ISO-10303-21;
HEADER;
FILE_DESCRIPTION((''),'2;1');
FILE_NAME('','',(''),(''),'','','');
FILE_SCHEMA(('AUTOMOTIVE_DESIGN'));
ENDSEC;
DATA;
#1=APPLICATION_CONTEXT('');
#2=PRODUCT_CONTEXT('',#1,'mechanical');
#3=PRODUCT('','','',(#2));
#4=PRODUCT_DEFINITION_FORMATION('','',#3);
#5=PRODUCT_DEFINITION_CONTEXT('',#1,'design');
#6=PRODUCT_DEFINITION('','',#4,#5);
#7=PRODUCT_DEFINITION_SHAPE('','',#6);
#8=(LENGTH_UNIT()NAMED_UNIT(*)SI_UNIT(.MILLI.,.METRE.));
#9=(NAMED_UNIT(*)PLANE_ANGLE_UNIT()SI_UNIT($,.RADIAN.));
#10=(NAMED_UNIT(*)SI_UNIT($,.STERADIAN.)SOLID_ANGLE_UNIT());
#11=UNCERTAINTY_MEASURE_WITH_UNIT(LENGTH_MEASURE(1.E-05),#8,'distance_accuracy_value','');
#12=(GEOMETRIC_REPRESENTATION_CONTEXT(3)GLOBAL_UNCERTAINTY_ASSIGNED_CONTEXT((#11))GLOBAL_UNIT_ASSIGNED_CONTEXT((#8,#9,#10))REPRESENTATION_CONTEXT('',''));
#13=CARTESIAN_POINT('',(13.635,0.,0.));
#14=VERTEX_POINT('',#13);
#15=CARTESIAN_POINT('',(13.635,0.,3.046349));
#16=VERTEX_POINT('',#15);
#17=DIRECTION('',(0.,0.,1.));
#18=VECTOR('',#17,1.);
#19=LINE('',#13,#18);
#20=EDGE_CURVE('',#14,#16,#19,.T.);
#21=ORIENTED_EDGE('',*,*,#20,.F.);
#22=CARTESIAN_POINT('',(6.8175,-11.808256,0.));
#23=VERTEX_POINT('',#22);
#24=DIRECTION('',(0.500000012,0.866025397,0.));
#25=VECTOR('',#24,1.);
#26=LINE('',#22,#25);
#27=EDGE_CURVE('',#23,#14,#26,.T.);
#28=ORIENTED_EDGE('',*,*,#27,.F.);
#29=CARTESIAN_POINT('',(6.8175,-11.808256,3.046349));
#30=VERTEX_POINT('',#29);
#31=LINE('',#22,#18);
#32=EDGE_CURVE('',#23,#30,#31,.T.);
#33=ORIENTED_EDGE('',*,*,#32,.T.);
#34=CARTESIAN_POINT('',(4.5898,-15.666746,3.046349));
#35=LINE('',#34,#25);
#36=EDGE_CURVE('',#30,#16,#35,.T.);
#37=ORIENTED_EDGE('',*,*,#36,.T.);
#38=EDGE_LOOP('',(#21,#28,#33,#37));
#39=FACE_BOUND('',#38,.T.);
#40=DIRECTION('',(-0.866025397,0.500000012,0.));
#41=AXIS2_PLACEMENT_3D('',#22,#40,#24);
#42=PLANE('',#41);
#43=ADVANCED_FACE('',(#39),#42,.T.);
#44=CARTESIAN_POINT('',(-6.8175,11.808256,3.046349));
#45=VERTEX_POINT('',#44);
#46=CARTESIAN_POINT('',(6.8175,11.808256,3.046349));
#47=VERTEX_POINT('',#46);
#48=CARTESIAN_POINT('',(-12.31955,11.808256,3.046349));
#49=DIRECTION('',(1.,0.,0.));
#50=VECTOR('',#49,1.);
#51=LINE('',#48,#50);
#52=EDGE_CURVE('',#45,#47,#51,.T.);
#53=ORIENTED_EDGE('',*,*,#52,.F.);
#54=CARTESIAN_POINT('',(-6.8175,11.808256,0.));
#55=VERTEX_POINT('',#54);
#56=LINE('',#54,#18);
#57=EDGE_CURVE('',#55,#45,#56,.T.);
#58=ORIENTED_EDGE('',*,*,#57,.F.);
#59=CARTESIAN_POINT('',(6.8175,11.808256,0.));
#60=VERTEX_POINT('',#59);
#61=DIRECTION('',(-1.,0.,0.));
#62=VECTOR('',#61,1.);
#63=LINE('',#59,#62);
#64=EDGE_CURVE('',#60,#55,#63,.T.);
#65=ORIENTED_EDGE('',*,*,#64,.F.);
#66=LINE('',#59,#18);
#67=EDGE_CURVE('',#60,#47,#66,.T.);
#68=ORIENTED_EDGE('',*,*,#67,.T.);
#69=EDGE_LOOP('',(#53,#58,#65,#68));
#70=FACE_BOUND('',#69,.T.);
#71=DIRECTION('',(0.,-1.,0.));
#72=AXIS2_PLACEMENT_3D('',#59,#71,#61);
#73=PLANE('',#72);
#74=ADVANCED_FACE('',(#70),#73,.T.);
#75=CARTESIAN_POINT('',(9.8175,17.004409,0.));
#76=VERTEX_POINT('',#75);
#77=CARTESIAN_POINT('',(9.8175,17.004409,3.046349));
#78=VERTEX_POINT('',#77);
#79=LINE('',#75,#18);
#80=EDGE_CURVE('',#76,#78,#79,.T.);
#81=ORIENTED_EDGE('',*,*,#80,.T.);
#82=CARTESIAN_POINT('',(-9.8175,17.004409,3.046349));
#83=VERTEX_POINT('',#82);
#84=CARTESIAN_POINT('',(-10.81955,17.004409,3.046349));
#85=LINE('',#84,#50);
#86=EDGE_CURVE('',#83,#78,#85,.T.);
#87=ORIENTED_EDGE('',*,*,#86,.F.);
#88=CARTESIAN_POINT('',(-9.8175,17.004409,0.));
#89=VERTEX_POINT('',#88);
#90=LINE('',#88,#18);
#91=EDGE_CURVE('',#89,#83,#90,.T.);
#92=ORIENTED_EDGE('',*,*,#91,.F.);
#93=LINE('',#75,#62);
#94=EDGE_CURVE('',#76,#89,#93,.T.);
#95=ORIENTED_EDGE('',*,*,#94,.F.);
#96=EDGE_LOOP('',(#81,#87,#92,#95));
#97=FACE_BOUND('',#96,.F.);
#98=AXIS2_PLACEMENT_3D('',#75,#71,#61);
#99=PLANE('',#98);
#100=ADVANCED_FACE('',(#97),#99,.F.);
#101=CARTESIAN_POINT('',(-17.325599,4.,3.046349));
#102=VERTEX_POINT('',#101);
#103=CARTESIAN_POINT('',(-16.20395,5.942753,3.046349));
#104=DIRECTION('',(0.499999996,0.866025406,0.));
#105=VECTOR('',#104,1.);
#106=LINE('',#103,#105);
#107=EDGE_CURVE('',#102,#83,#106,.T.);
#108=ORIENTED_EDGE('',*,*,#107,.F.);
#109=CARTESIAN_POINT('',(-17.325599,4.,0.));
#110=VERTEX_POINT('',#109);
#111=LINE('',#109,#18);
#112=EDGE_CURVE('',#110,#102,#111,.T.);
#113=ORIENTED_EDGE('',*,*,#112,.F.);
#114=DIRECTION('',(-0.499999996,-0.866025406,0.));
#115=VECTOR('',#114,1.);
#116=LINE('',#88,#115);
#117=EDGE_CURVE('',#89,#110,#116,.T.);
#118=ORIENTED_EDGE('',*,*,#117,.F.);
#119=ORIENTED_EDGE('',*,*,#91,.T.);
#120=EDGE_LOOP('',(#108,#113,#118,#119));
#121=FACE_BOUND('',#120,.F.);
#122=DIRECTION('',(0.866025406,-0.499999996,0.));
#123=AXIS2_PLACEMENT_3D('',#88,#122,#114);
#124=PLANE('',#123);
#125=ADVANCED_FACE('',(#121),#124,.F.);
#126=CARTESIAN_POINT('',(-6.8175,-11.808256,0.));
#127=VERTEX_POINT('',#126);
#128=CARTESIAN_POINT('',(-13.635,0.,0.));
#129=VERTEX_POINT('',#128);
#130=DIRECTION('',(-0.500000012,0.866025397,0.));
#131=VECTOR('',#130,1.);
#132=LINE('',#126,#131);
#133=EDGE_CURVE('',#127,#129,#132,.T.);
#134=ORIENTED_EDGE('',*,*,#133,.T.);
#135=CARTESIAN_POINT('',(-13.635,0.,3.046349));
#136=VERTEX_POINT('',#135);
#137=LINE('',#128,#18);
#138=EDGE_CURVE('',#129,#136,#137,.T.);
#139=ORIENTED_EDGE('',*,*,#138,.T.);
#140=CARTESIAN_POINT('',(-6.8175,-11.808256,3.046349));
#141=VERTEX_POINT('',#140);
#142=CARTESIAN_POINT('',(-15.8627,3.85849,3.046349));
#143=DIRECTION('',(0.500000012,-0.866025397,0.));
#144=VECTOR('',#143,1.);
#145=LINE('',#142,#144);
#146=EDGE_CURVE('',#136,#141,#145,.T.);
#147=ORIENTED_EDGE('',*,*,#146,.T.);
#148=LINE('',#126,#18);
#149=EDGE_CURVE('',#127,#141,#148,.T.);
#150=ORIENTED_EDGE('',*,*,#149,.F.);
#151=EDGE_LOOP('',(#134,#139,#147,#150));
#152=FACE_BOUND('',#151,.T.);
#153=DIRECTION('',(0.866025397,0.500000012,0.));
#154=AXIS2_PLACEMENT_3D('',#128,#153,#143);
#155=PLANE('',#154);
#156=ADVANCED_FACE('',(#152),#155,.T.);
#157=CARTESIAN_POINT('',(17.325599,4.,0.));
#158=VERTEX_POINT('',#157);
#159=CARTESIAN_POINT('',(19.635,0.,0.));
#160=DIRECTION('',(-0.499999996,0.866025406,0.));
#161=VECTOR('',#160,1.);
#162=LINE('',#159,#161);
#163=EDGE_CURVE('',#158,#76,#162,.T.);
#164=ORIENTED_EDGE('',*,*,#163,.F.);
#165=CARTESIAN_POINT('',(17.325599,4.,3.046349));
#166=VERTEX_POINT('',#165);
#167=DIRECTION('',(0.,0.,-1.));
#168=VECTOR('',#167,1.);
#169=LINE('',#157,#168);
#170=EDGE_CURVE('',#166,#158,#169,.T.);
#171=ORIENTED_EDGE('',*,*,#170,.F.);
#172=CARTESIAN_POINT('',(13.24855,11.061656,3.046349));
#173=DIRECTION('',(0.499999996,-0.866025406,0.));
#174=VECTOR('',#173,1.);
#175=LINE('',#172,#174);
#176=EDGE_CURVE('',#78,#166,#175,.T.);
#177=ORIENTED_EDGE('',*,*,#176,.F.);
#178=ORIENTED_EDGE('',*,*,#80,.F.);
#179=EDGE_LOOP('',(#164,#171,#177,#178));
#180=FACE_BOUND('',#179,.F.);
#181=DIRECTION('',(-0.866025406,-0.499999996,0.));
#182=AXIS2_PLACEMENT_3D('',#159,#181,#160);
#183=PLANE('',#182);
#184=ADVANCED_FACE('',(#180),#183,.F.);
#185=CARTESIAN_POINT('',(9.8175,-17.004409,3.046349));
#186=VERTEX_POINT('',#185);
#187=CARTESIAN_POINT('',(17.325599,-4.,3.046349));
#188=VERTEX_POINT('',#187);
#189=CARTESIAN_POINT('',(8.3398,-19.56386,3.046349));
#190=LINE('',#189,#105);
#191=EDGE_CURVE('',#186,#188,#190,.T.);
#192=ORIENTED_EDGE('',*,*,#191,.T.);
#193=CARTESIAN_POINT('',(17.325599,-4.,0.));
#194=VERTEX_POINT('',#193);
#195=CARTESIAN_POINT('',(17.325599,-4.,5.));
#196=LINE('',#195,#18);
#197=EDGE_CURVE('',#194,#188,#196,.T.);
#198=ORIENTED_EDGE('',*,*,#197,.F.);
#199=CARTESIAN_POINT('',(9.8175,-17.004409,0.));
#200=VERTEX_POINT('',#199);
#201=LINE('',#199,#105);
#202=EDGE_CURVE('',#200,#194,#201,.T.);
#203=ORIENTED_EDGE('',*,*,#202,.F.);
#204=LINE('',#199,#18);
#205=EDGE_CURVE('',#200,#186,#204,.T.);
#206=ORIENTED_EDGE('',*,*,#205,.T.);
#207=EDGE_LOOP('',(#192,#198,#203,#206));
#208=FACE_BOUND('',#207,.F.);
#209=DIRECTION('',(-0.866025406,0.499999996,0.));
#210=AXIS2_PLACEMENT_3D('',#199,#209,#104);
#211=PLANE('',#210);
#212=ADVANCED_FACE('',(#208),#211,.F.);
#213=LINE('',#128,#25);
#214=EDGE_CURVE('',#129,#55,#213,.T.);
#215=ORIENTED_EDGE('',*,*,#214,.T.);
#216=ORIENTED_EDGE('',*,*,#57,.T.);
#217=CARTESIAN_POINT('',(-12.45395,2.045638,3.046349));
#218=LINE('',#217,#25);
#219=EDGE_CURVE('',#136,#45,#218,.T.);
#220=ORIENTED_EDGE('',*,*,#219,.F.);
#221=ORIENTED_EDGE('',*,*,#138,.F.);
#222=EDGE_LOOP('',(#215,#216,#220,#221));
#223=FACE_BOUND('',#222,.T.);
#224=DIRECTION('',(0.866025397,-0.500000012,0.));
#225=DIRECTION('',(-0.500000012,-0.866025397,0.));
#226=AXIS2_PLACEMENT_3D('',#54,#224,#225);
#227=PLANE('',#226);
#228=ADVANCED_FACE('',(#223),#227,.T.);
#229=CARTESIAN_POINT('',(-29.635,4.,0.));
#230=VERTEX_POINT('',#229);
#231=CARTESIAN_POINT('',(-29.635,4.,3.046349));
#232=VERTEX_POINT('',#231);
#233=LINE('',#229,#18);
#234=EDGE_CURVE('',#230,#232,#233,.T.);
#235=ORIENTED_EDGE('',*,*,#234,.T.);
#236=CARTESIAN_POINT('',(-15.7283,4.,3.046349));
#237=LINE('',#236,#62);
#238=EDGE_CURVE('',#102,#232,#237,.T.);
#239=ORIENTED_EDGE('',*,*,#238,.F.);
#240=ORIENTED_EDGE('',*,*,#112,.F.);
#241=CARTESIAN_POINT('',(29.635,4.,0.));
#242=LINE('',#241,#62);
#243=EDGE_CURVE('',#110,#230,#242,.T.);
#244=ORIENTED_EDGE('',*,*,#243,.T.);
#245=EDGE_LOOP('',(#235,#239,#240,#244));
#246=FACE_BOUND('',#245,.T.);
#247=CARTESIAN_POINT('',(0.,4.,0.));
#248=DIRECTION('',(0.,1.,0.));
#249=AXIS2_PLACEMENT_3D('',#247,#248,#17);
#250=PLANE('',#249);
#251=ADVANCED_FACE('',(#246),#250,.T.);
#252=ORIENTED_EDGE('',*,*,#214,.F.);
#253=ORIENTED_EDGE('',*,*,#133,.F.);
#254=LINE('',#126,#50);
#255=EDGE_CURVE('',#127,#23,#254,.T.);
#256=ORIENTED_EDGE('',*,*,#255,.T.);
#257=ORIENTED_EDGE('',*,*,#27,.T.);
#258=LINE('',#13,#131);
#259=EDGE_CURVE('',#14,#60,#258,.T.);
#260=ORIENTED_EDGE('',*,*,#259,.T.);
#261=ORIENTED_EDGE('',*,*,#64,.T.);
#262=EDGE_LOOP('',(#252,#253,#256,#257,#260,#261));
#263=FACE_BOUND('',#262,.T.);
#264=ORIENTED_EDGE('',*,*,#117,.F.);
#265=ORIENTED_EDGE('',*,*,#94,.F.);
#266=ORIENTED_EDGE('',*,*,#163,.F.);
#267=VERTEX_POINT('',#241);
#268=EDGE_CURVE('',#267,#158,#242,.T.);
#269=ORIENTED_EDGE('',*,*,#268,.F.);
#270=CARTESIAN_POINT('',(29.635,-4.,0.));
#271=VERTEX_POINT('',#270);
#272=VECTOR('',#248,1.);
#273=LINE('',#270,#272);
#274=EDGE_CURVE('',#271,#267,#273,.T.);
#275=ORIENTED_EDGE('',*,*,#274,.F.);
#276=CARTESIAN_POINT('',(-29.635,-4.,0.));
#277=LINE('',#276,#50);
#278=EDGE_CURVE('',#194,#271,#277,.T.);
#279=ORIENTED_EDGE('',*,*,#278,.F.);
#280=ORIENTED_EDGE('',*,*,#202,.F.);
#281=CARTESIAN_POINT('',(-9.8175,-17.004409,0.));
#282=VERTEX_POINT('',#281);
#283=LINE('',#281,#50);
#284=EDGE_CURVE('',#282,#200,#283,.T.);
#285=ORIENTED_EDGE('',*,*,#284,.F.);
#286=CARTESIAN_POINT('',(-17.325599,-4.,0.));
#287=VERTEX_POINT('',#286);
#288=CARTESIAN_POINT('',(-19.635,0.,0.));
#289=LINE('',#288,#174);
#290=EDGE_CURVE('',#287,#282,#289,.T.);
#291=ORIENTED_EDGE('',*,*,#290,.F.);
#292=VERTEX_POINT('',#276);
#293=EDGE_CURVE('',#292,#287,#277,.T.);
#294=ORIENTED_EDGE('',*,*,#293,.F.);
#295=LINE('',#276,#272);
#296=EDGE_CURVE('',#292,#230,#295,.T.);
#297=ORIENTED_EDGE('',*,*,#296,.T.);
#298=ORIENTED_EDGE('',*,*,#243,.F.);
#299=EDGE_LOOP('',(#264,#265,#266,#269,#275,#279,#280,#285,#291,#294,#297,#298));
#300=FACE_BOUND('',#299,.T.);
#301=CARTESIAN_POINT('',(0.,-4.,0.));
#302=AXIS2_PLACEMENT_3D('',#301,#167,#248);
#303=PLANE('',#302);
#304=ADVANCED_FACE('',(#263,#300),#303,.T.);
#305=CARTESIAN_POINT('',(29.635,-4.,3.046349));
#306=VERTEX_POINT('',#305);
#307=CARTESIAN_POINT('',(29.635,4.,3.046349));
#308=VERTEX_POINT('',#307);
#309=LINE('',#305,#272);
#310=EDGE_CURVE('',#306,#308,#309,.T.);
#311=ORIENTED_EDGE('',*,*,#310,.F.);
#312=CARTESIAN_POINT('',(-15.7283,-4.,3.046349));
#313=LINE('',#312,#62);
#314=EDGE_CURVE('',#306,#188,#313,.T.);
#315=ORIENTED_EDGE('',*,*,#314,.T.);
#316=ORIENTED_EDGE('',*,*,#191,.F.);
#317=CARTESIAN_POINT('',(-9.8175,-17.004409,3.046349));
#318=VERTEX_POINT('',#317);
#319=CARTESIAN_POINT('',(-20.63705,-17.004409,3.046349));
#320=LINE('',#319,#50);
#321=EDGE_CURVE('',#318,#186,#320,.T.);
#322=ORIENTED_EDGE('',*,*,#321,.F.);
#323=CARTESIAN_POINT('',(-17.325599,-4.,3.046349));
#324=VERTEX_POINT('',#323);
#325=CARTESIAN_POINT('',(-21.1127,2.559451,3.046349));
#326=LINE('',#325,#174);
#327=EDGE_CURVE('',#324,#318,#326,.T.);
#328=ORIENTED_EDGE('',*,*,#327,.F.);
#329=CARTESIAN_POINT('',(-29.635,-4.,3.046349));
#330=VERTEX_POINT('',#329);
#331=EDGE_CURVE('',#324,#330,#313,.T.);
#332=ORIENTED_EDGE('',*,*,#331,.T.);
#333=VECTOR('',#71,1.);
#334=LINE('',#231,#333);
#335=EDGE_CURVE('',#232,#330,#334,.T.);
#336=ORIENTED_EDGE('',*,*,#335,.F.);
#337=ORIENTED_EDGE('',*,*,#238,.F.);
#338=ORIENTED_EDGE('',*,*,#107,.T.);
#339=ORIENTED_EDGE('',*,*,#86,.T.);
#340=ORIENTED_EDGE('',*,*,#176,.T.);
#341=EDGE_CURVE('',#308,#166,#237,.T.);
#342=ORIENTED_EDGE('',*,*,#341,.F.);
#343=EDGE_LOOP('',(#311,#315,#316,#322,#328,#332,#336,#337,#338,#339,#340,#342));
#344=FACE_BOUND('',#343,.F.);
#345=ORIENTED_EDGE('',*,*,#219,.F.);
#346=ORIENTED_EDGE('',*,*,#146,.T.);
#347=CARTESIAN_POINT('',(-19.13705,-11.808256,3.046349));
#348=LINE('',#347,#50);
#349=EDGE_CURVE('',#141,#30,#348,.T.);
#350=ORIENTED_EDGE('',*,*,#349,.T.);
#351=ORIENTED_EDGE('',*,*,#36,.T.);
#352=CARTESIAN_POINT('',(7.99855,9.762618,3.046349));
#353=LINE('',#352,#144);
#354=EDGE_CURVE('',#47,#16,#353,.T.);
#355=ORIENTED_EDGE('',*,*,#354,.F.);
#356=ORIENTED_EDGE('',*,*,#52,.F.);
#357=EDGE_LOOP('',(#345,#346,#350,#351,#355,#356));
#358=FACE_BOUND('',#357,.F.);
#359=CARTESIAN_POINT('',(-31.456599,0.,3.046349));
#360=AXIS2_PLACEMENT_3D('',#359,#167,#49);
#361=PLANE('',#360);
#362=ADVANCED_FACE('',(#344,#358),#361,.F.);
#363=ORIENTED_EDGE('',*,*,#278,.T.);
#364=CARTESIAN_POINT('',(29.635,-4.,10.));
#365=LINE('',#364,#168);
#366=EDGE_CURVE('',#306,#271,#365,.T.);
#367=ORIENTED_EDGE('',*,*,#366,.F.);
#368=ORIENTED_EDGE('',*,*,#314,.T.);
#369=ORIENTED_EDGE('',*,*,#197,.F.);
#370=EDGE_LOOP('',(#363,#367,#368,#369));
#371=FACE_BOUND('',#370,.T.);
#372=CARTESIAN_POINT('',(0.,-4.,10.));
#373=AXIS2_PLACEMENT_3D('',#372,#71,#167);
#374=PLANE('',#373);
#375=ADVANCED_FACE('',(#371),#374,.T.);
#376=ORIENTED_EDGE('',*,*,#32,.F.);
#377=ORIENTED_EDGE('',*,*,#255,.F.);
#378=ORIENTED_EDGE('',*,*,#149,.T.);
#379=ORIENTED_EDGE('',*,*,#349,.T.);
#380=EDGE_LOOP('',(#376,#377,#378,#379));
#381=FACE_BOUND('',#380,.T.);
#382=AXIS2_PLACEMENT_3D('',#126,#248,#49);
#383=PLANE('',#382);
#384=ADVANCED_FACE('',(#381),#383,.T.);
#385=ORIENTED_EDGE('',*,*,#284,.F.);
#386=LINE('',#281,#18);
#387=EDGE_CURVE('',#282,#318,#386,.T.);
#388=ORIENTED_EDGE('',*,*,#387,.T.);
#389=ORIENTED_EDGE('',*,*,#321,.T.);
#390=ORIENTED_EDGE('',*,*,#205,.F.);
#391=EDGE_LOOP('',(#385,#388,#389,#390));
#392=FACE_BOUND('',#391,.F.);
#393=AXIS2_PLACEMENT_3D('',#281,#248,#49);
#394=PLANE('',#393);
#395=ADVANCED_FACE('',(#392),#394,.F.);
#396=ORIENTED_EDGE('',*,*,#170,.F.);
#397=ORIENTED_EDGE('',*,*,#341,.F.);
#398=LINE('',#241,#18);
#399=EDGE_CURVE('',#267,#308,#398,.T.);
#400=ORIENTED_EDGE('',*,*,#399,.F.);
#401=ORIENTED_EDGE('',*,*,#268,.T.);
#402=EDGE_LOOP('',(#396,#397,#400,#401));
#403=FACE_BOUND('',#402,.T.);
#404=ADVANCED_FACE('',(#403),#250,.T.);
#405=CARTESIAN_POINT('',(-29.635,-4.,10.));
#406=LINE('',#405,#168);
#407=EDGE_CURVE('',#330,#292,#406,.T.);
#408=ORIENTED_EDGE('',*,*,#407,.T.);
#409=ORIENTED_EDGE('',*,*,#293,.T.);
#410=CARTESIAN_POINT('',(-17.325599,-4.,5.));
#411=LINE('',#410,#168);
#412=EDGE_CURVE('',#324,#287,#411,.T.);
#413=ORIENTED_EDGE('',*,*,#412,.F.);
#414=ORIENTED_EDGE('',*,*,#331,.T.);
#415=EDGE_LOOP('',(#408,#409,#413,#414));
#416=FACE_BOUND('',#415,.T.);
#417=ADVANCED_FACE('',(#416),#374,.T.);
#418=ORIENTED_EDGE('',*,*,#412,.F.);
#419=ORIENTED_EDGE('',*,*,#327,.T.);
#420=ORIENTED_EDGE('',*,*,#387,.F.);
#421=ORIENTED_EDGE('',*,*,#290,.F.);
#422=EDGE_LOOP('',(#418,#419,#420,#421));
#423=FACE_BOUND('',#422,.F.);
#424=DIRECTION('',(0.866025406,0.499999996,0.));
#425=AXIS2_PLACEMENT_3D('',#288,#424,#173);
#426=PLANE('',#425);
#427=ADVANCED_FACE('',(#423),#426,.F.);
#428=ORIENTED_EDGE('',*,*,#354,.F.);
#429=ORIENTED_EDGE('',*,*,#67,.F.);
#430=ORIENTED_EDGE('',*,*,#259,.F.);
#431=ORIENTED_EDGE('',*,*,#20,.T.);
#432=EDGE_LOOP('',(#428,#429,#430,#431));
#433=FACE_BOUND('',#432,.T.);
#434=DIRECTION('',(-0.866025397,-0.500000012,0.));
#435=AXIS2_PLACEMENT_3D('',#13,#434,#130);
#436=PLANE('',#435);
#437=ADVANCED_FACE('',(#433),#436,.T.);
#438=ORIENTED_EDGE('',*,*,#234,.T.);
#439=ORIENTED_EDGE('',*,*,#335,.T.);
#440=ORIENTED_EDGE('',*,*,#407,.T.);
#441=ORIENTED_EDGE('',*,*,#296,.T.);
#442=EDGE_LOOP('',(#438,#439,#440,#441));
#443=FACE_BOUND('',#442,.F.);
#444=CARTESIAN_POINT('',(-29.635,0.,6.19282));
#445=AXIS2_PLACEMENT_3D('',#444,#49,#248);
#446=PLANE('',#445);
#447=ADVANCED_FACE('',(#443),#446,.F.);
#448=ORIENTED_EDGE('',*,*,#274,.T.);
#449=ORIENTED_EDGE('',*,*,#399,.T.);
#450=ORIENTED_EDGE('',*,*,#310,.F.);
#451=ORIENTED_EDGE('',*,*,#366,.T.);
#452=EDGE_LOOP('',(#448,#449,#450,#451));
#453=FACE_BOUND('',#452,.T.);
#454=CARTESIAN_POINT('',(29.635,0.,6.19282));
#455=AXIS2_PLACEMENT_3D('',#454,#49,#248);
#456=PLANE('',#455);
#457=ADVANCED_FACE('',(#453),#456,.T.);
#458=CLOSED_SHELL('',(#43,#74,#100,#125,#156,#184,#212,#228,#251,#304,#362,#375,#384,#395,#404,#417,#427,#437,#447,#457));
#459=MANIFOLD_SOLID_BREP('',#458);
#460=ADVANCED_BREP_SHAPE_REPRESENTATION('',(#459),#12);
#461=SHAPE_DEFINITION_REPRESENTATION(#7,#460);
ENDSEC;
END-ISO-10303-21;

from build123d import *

# Parameters (mm, degrees)
PAD_DEPTH            = 10
PAD002_DEPTH         = 29.635
POCKET_DEPTH         = 0.001
POCKET_DEPTH_BACK    = -14.001
SKETCH004_W          = 82.61631
SKETCH004_H          = 35.698411
SKETCH004_W_2        = 63.407177
SKETCH004_H_2        = 4.929781
POCKET001_DEPTH      = 17.005409
POCKET001_DEPTH_BACK = -17.005409


with BuildPart() as part:
    # Sketch → Pad (new body)
    with BuildSketch(Plane.XY):
        Polygon((19.635, 0), (9.8175, 17.004409), (-9.8175, 17.004409), (-19.635, 0), (-9.8175, -17.004409), (9.8175, -17.004409), align=None)
        Polygon((13.635, 0), (6.8175, 11.808256), (-6.8175, 11.808256), (-13.635, 0), (-6.8175, -11.808256), (6.8175, -11.808256), align=None, mode=Mode.SUBTRACT)
    extrude(amount=PAD_DEPTH)

    # Sketch002 → Pad002 (join, symmetric)
    with BuildSketch(Plane.YZ):
        with BuildLine():
            ThreePointArc((4, 10), (0, 14), (-4, 10))
            Line((-4, 10), (-4, 0))
            Line((-4, 0), (4, 0))
            Line((4, 0), (4, 10))
        make_face()
    extrude(amount=PAD002_DEPTH, both=True)

    # Sketch003 → Pocket (cut, two sides)
    with BuildSketch(Plane.XY) as pocket_sk:
        Polygon((13.635, 0), (6.8175, 11.808256), (-6.8175, 11.808256), (-13.635, 0), (-6.8175, -11.808256), (6.8175, -11.808256), align=None)
    extrude(amount=-POCKET_DEPTH, mode=Mode.SUBTRACT)
    extrude(pocket_sk.sketch, amount=-POCKET_DEPTH_BACK, mode=Mode.SUBTRACT)

    # Sketch004 → Pocket001 (cut, two sides)
    with BuildSketch(Plane.XZ) as pocket001_sk:
        with Locations((0.841957, 8.089457)):
            Rectangle(SKETCH004_W, SKETCH004_H)
        with Locations((0.246989, 0.581458)):
            Rectangle(SKETCH004_W_2, SKETCH004_H_2, mode=Mode.SUBTRACT)
    extrude(amount=-POCKET001_DEPTH, mode=Mode.SUBTRACT)
    extrude(pocket001_sk.sketch, amount=-POCKET001_DEPTH_BACK, mode=Mode.SUBTRACT)


solid = part.part
